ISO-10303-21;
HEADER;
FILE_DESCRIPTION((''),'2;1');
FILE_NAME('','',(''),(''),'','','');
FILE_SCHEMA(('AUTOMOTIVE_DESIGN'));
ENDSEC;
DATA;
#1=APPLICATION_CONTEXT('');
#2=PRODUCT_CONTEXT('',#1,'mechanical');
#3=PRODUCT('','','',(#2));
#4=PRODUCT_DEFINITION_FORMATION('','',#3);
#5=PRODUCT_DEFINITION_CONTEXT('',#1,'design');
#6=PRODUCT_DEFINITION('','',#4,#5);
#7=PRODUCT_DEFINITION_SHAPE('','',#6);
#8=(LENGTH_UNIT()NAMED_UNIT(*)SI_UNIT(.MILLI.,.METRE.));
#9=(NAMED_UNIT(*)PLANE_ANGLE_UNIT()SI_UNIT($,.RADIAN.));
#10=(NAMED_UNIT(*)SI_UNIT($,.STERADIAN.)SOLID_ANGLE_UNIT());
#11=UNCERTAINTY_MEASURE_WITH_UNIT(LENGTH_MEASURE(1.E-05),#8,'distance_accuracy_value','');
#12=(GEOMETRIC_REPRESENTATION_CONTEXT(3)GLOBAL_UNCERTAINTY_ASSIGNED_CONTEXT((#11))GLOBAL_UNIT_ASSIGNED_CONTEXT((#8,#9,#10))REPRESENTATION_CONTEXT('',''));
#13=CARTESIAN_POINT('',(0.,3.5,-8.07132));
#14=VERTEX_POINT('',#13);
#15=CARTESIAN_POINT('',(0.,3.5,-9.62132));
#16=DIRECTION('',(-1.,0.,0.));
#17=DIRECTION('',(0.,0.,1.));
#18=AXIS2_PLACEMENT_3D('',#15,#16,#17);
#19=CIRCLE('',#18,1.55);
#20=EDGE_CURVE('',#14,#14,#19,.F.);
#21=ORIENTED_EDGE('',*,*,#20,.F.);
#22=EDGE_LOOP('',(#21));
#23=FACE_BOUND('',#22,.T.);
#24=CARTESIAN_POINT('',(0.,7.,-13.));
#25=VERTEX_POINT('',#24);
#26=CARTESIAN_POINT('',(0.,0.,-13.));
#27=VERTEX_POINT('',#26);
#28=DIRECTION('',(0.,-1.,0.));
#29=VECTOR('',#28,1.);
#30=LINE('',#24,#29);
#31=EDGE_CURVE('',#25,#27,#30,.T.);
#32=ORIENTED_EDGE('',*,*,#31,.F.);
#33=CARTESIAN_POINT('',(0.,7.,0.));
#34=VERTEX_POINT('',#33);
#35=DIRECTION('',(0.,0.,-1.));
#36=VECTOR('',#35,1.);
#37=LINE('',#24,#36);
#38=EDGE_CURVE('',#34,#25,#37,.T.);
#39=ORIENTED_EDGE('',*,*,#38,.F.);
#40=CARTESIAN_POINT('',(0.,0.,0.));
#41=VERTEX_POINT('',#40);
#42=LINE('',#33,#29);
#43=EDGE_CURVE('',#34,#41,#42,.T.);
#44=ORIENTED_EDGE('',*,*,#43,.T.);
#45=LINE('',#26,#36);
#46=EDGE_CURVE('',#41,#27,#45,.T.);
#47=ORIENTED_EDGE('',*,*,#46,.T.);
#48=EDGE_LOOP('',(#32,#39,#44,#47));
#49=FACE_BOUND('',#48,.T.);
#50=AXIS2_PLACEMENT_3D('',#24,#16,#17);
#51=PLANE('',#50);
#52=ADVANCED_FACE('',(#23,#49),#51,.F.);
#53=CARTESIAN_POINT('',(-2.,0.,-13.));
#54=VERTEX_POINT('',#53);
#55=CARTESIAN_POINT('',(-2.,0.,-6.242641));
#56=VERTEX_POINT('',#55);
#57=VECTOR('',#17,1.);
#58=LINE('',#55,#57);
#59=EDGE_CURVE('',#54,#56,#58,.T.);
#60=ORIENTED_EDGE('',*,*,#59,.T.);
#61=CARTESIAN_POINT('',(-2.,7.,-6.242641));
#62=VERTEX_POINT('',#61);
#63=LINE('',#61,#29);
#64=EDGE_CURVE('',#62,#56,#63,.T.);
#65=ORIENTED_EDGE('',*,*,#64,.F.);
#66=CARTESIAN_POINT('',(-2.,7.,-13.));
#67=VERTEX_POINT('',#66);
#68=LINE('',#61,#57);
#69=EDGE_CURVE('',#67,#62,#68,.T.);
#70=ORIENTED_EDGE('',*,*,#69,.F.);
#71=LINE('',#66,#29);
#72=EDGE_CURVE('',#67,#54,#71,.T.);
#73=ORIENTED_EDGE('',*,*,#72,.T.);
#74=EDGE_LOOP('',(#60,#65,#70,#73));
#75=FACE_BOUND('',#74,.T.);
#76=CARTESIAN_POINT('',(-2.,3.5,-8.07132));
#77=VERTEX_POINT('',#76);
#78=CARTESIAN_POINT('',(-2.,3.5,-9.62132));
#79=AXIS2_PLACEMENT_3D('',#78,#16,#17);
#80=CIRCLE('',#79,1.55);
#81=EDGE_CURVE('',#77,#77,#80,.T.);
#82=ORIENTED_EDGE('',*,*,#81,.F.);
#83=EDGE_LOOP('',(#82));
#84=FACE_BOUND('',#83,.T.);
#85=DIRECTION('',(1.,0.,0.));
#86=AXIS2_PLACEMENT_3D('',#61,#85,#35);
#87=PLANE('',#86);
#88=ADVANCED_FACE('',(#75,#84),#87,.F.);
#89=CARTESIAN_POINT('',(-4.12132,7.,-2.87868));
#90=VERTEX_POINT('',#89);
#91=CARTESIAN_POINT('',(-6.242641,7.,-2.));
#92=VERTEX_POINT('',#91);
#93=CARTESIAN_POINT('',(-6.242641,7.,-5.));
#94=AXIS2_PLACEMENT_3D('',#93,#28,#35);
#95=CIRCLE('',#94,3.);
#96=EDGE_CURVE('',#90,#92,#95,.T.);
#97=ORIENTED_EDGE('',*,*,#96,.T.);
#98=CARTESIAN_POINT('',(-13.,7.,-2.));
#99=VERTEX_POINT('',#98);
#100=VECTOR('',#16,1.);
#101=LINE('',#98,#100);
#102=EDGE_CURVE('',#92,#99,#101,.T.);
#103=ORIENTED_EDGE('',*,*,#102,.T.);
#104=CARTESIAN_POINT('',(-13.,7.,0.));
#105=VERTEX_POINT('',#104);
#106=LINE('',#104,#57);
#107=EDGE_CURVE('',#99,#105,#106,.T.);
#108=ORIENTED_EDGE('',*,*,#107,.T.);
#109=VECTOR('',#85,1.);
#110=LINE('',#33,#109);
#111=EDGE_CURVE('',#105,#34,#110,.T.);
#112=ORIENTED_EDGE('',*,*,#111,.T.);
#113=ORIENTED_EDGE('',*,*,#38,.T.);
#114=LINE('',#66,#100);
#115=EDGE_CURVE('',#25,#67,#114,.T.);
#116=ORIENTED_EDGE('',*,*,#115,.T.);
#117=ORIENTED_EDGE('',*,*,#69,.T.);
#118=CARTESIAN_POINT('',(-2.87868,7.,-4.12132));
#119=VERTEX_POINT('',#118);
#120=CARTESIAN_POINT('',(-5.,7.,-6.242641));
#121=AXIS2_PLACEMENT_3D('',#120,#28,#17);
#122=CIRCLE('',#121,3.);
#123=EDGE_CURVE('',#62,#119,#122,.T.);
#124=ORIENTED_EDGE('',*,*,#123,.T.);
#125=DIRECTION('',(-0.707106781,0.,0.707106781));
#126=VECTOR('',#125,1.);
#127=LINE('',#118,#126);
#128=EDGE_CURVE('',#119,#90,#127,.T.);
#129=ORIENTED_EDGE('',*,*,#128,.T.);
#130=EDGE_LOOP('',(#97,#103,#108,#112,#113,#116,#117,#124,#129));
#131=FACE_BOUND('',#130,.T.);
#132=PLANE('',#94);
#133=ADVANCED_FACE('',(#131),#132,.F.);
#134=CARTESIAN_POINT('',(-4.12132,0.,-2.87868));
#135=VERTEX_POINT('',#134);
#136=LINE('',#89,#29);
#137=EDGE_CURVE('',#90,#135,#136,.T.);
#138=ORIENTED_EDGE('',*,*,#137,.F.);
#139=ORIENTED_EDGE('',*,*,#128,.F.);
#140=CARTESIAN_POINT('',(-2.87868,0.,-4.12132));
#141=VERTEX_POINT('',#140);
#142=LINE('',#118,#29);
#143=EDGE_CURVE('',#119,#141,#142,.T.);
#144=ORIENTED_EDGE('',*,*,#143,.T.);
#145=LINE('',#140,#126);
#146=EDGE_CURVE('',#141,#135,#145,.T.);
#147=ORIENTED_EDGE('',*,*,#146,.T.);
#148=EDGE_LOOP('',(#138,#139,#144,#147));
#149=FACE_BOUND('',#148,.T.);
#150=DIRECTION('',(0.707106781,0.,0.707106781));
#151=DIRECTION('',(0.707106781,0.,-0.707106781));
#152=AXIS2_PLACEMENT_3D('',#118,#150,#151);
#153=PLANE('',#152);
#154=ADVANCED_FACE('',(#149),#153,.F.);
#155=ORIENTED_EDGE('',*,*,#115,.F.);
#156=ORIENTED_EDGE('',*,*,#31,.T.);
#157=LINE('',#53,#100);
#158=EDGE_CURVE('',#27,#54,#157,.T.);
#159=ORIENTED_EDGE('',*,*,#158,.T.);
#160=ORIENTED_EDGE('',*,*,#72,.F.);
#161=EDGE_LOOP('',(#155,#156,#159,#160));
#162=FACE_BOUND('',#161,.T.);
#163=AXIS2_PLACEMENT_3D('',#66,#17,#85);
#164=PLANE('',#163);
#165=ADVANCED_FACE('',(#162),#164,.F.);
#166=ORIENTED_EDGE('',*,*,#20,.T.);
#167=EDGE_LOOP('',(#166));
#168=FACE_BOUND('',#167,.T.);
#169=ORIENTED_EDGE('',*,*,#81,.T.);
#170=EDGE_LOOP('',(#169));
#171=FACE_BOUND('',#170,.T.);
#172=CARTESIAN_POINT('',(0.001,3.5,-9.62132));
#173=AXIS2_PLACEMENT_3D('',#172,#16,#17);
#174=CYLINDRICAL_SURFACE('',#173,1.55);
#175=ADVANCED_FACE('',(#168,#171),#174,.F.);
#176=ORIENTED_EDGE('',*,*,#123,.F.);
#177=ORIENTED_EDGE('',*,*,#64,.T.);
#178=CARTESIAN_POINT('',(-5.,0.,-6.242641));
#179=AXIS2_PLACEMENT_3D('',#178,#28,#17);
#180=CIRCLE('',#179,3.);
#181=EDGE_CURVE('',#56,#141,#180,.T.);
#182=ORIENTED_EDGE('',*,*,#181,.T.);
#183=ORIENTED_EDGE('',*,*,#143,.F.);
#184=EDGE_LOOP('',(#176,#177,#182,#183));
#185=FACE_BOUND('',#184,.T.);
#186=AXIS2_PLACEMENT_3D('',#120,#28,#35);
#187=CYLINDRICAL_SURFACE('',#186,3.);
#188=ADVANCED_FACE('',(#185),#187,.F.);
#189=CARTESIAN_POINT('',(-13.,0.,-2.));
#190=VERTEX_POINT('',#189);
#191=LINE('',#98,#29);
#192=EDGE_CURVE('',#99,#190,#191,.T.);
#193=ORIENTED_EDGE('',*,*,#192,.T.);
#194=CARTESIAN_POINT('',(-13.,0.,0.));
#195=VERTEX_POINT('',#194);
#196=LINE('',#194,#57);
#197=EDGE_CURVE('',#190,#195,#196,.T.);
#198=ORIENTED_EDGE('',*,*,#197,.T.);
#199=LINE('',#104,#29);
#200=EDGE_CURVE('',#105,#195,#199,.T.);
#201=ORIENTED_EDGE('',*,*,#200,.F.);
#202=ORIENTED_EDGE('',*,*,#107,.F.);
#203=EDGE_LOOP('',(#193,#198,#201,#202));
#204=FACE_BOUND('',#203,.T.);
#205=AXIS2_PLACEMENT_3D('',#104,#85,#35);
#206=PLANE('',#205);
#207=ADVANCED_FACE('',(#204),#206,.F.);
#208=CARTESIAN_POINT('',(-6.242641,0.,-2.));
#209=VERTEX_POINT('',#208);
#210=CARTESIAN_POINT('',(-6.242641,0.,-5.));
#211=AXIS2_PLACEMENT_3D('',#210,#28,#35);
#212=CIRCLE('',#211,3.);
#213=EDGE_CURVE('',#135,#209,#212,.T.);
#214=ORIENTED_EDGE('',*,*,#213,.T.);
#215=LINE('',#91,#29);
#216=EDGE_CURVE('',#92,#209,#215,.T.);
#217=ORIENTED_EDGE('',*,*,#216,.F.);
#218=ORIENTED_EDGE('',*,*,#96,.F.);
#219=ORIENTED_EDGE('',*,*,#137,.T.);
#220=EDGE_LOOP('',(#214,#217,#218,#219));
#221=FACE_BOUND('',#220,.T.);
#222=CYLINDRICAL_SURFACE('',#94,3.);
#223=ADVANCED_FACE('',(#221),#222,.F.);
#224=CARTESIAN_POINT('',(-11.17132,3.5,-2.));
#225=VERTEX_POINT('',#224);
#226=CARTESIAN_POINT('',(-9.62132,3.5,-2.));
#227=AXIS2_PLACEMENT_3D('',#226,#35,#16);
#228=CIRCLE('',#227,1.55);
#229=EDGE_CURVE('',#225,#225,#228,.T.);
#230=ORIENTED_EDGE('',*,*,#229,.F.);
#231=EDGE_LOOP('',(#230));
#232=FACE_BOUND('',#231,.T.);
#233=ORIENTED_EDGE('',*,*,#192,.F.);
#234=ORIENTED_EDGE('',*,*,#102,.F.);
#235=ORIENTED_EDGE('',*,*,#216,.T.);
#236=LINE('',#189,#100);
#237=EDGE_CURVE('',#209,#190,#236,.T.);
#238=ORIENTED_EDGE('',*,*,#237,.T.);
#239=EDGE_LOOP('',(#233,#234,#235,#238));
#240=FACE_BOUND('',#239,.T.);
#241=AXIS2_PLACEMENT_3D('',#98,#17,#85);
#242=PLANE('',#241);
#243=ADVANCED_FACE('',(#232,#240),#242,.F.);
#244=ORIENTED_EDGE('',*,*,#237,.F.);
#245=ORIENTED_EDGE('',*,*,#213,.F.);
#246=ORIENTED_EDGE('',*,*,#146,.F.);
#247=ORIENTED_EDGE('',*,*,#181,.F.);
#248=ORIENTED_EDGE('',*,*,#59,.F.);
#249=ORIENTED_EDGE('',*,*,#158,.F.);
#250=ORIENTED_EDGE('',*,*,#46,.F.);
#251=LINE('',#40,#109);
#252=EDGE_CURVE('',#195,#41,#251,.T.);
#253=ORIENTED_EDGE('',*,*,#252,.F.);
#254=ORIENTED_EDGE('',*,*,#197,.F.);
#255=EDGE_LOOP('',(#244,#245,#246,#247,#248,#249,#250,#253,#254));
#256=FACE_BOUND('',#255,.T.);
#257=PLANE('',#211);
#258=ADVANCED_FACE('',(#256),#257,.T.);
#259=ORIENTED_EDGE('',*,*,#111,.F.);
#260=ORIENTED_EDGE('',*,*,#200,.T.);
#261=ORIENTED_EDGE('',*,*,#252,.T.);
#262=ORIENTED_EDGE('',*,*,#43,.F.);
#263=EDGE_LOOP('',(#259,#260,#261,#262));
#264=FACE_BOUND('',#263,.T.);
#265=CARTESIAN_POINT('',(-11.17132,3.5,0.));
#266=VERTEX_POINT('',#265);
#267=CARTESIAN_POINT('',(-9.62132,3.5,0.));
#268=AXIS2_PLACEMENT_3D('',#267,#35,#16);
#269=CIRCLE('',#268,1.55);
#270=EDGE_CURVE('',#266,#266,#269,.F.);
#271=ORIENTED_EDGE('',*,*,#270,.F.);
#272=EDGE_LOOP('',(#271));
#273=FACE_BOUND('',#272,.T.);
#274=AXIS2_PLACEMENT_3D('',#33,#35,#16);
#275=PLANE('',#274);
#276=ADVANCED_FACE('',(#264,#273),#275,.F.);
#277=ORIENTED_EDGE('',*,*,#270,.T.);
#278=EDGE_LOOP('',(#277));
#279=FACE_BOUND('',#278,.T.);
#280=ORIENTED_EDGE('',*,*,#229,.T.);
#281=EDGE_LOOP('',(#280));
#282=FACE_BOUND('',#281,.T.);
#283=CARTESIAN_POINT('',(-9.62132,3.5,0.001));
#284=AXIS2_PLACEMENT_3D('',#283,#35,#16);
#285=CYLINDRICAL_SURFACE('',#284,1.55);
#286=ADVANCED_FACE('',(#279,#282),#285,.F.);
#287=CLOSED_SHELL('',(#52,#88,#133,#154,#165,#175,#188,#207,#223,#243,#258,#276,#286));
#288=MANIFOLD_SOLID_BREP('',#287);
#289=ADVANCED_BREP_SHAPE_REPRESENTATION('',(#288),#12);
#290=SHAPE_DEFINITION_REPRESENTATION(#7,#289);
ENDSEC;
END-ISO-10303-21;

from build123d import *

# Parameters (mm, degrees)
BOSS_EXTRUDE1_DEPTH = 7
CUT_EXTRUDE1_REACH  = 20.412
SKETCH3_R           = 1.55
CUT_EXTRUDE2_REACH  = 20.412
SKETCH4_R           = 1.55


with BuildPart() as part:
    # Sketch1 → Boss-Extrude1 (new body)
    with BuildSketch(Plane(origin=(0, 0, 0), x_dir=(1, 0, 0), z_dir=(0, 1, 0))):
        with BuildLine():
            Line((0, 0), (-13, 0))
            Line((-13, 0), (-13, 2))
            Line((-13, 2), (-6.242640687, 2))
            ThreePointArc((-6.242640687, 2), (-5.09459039, 2.228361402), (-4.121320344, 2.878679656))
            Line((-4.121320344, 2.878679656), (-2.878679656, 4.121320344))
            ThreePointArc((-2.878679656, 4.121320344), (-2.228361402, 5.09459039), (-2, 6.242640687))
            Line((-2, 6.242640687), (-2, 13))
            Line((-2, 13), (0, 13))
            Line((0, 13), (0, 0))
        make_face()
    extrude(amount=BOSS_EXTRUDE1_DEPTH)

    # Sketch3 → Cut-Extrude1 (cut, up to next)
    with BuildSketch(Plane(origin=(0, 0, -2), x_dir=(-1, 0, 0), z_dir=(0, 0, -1)), mode=Mode.PRIVATE) as cut_extrude1_sk1:
        with Locations((9.621320344, 3.5)):
            Circle(SKETCH3_R)
    cut_extrude1_tool1 = extrude(cut_extrude1_sk1.sketch, amount=-CUT_EXTRUDE1_REACH, mode=Mode.PRIVATE) & part.part
    add(cut_extrude1_tool1.solids().sort_by_distance((-9.62132, 3.5, -2))[0], mode=Mode.SUBTRACT)

    # Sketch4 → Cut-Extrude2 (cut, up to next)
    with BuildSketch(Plane.ZY.offset(2), mode=Mode.PRIVATE) as cut_extrude2_sk1:
        with Locations((-9.621320344, 3.5)):
            Circle(SKETCH4_R)
    cut_extrude2_tool1 = extrude(cut_extrude2_sk1.sketch, amount=-CUT_EXTRUDE2_REACH, mode=Mode.PRIVATE) & part.part
    add(cut_extrude2_tool1.solids().sort_by_distance((-2, 3.5, -9.62132))[0], mode=Mode.SUBTRACT)


solid = part.part
